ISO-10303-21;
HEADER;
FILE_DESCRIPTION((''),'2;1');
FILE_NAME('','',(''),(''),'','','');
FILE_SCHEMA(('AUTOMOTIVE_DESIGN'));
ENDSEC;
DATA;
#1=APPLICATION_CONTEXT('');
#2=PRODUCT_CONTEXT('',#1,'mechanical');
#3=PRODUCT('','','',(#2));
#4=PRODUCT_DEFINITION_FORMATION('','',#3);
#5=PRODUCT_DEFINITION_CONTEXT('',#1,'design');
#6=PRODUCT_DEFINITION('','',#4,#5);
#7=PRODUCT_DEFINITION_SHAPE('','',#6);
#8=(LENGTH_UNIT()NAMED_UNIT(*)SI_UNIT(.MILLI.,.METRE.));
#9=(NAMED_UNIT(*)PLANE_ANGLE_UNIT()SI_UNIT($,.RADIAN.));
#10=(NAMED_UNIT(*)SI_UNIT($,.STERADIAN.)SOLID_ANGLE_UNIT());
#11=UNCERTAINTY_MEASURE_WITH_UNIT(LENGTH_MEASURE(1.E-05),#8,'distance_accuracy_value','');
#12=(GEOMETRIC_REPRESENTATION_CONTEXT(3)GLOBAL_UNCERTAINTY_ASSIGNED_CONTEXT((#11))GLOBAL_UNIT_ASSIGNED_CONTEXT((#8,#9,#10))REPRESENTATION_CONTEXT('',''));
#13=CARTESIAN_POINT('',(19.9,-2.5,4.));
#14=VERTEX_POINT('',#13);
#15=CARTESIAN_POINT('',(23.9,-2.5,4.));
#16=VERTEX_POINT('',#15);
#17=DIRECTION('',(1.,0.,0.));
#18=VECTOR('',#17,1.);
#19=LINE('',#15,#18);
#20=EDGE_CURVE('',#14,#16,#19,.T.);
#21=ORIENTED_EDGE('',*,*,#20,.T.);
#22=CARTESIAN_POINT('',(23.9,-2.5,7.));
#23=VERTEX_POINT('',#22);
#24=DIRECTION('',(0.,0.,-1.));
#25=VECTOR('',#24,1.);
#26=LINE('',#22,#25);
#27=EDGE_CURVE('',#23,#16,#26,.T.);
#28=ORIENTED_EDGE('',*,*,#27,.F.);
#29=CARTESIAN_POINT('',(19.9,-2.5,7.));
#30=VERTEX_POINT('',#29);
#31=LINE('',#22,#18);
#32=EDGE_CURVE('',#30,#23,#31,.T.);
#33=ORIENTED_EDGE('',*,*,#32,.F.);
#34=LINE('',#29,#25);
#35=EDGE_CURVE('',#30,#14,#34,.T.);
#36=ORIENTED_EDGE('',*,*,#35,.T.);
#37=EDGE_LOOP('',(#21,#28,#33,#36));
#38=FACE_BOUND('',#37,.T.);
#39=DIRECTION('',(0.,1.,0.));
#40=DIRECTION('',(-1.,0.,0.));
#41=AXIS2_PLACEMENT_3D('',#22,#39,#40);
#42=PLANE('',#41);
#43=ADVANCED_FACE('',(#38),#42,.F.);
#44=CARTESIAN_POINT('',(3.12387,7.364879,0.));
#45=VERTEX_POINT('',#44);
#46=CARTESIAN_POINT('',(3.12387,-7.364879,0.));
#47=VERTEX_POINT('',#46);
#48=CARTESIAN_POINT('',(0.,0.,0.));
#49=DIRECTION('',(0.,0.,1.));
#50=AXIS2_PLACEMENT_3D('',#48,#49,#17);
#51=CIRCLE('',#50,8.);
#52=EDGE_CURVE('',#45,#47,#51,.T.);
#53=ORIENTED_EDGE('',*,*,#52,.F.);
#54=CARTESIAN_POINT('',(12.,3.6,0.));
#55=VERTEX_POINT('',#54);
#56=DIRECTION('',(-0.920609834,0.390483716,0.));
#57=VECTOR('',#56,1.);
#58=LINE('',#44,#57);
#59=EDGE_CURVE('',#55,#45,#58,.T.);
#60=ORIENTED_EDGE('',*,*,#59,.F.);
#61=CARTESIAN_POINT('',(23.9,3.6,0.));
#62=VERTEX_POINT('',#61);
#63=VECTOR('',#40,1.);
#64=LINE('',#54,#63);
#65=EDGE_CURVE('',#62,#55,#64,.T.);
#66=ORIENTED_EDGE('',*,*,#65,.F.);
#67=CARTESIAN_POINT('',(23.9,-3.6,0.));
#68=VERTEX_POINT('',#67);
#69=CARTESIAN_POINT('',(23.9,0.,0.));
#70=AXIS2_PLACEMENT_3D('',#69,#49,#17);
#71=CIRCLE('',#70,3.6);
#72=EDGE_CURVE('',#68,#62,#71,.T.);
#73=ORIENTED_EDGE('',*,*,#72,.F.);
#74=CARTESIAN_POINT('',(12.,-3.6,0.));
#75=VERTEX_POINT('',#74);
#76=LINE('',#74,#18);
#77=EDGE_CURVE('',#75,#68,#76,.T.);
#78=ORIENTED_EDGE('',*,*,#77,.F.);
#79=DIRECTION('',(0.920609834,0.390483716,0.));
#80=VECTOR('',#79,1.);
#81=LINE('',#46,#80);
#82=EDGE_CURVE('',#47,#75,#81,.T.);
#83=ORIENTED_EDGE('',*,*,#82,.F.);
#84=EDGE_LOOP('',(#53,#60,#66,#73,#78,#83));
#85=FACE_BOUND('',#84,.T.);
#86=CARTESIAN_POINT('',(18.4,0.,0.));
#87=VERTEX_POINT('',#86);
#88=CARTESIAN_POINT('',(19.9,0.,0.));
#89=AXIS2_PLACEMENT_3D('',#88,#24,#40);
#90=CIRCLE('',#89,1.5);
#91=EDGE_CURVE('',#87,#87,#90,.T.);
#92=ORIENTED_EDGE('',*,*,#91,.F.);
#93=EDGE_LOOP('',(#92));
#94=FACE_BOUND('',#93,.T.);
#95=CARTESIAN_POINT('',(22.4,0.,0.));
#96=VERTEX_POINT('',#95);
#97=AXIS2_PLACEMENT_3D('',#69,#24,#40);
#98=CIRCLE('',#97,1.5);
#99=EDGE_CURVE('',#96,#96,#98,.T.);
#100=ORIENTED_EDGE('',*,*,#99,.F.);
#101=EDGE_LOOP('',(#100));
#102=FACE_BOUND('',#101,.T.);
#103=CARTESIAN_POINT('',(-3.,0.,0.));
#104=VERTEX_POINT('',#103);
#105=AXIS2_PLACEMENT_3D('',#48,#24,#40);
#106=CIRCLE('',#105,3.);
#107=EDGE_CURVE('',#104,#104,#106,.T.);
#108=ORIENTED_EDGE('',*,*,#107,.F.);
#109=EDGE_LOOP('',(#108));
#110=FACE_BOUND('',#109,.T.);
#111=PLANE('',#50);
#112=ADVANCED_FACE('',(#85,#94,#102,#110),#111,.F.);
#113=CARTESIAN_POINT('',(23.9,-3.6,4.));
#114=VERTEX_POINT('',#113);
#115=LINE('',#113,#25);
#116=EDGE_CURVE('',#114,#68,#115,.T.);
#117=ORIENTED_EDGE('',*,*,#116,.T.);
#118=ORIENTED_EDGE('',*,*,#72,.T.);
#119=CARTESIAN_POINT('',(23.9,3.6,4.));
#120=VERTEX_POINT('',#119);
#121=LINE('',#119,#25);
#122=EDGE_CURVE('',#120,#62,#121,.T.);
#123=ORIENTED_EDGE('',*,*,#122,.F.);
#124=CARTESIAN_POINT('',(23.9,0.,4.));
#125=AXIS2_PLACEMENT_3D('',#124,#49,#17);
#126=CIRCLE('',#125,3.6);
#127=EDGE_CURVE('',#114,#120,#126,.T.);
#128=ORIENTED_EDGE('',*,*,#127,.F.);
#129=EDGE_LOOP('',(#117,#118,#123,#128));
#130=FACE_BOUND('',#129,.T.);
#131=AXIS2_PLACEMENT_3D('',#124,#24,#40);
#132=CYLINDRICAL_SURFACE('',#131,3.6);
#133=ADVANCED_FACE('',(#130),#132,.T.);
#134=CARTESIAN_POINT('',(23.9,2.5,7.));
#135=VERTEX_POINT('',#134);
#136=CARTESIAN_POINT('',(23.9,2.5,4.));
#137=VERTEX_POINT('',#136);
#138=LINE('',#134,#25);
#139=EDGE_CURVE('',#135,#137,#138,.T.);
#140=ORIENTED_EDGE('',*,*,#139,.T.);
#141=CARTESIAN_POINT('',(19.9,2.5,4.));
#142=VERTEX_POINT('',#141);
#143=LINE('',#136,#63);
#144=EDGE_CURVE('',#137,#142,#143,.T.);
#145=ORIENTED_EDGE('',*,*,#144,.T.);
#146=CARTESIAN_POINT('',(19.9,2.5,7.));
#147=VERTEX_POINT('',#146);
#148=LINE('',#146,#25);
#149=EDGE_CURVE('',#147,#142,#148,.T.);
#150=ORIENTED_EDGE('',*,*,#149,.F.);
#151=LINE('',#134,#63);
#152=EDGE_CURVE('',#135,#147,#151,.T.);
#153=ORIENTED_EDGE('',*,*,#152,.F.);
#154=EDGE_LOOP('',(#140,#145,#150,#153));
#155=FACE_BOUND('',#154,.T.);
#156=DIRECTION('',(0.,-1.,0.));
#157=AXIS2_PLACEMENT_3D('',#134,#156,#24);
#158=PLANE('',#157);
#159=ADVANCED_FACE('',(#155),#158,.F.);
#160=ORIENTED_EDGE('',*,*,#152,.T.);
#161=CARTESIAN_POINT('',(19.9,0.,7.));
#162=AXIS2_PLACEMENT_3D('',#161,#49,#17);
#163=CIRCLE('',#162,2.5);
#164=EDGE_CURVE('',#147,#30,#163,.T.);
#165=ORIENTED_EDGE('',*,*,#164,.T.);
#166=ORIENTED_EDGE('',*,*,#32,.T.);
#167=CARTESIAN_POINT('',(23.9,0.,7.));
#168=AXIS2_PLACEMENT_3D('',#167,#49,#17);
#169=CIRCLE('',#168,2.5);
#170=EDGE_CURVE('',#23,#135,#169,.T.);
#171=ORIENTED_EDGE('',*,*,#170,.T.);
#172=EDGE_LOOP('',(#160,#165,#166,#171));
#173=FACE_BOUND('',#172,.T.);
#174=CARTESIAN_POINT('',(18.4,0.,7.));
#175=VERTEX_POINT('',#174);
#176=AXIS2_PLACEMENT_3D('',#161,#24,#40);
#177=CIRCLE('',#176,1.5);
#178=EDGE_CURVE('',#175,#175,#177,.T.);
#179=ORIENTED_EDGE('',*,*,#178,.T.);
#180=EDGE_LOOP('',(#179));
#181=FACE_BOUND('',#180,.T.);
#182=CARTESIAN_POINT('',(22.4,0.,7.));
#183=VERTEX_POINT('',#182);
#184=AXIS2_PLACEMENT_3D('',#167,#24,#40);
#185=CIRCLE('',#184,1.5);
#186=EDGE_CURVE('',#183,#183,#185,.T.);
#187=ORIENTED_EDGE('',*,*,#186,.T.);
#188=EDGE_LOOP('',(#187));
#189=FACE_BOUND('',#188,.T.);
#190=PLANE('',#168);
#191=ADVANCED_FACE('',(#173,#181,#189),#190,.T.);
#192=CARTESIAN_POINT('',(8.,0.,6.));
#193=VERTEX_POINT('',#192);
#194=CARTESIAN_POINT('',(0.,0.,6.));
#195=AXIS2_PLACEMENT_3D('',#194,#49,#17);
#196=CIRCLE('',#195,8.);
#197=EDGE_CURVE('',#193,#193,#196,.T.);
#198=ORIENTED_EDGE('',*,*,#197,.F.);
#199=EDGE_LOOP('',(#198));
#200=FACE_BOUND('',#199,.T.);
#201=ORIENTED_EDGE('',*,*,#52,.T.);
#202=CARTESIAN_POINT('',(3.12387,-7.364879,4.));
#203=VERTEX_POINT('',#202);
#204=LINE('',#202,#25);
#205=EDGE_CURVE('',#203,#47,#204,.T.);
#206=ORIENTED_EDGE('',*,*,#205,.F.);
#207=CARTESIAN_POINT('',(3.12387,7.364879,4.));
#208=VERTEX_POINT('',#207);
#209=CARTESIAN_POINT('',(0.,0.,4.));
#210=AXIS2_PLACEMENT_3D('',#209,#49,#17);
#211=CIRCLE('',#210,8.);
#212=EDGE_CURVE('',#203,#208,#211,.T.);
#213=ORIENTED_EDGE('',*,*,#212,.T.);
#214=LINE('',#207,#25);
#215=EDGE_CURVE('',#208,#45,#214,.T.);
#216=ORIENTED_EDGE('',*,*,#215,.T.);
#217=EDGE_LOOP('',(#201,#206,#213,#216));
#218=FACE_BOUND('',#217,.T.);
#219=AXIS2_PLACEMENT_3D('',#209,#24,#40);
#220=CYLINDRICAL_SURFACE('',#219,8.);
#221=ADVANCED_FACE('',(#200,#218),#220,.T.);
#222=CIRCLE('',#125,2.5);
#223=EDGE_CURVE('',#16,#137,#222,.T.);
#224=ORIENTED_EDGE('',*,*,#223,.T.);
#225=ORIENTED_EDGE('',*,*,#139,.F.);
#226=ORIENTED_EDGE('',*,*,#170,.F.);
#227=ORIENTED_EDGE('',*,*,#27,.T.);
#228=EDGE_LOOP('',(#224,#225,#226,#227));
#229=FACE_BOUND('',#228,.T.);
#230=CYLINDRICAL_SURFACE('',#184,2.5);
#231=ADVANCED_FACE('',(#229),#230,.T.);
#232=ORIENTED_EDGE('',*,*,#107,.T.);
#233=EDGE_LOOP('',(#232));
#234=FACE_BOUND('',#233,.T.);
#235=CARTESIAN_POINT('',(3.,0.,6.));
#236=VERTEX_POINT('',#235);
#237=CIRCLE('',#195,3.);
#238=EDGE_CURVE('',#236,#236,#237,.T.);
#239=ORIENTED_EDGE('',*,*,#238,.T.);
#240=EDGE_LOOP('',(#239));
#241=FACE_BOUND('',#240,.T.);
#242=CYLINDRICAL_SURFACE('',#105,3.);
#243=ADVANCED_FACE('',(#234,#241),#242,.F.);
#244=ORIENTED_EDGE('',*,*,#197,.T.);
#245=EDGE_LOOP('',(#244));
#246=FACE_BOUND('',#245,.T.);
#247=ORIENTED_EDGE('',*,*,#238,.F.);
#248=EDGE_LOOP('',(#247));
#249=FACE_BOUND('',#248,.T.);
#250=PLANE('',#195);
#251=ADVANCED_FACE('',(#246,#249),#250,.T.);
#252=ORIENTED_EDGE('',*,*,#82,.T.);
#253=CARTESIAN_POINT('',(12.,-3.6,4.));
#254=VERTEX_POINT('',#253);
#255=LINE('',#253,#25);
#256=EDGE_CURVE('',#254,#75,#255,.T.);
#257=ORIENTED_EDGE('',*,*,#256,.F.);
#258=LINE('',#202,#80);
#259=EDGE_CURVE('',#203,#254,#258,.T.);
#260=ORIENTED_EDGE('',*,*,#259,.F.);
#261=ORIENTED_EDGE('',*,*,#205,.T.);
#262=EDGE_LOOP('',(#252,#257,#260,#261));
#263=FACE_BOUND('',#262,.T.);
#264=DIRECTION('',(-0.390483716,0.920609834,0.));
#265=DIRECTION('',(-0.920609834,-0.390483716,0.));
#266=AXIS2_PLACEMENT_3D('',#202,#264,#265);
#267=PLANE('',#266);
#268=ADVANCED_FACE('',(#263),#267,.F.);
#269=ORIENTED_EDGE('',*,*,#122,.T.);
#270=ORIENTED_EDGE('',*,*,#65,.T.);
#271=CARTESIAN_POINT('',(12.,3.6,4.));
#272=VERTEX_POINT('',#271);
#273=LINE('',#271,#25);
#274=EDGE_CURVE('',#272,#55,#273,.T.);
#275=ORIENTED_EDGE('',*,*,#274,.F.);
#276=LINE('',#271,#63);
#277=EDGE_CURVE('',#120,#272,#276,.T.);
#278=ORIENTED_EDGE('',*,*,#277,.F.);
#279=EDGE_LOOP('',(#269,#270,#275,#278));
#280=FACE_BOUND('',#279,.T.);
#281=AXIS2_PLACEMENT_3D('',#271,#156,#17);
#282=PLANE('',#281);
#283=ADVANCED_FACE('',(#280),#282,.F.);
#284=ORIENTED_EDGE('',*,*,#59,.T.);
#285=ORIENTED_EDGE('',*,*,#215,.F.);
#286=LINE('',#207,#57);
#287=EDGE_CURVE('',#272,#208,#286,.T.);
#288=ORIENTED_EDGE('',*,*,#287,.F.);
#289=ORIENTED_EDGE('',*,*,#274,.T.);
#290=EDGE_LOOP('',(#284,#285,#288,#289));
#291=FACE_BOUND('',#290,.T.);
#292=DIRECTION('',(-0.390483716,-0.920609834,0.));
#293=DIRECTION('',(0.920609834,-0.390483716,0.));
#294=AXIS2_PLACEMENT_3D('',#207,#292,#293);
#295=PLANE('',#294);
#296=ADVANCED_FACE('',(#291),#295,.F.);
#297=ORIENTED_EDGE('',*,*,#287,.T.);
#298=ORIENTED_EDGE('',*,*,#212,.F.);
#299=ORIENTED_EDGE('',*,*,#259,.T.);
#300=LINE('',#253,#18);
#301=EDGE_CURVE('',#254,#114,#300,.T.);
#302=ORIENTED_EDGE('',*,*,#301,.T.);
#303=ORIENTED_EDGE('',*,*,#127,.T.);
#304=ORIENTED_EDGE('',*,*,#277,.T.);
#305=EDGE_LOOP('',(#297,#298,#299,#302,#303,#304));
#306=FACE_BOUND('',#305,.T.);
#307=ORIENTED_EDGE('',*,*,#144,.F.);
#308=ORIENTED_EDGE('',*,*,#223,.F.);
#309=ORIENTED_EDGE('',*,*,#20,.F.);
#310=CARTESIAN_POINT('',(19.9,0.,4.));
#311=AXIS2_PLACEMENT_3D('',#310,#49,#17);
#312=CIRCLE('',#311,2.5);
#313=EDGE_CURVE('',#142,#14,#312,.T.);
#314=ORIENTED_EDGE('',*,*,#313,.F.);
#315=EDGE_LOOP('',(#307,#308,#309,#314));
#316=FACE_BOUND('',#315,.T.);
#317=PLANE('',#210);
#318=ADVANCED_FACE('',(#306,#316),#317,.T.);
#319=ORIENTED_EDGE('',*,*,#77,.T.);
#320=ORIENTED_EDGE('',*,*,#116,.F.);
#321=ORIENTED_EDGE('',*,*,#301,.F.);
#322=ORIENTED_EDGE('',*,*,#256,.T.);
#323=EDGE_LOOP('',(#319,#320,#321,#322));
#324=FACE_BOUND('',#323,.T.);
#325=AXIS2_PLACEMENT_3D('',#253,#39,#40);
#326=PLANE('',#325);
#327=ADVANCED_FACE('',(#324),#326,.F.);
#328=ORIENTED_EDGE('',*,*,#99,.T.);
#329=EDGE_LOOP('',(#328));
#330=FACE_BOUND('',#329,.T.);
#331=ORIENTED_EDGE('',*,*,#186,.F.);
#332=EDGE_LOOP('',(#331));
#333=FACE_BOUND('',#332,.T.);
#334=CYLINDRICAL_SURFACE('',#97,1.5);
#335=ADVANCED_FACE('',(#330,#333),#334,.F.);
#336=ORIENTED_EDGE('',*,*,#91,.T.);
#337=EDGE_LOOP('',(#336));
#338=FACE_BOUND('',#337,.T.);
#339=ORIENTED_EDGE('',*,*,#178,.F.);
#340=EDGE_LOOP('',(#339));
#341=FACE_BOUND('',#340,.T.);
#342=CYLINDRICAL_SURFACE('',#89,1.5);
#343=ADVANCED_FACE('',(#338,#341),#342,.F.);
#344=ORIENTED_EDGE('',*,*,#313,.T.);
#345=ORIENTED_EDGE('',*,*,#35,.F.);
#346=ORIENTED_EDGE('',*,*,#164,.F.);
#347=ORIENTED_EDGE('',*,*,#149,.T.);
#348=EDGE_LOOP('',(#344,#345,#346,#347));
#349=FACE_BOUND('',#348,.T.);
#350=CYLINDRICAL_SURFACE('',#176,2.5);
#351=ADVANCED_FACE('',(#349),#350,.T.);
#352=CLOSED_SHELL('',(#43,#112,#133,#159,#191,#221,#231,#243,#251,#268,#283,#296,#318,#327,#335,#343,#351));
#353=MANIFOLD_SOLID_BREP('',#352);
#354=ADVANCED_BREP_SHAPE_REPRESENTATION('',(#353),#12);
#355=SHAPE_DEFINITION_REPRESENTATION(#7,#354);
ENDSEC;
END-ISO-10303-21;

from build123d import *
from build123d.topology import SkipClean

# Parameters (mm, degrees)
BOSS_EXTRUDE1_DEPTH      = 4
SKETCH4_R                = 8
BOSS_EXTRUDE2_DEPTH      = 2
BOSS_EXTRUDE3_DEPTH      = 3
F_3_0_3_DIAMETER_HOLE1_D = 3
F_6_0_6_DIAMETER_HOLE1_D = 6


with BuildPart() as part:
    # Sketch1 → Boss-Extrude1 (new body)
    with BuildSketch(Plane.XY):
        with BuildLine():
            Line((3.123869731, 7.364878676), (12, 3.6))
            Line((12, 3.6), (23.9, 3.6))
            ThreePointArc((23.9, 3.6), (27.5, 0), (23.9, -3.6))
            Line((23.9, -3.6), (12, -3.6))
            Line((12, -3.6), (3.123869731, -7.364878676))
            ThreePointArc((3.123869731, -7.364878676), (-8, 0), (3.123869731, 7.364878676))
        make_face()
    extrude(amount=BOSS_EXTRUDE1_DEPTH)

    # Sketch4 → Boss-Extrude2 (add)
    with SkipClean():  # the faces are left unmerged after this step: merging them gives an invalid solid
        with BuildSketch(Plane.XY.offset(4)):
            with Locations(Location((0, 0, 0), (0, 0, 67.015399011))):
                Circle(SKETCH4_R)
        extrude(amount=BOSS_EXTRUDE2_DEPTH)

    # Sketch5 → Boss-Extrude3 (add)
    with SkipClean():  # the faces are left unmerged after this step: merging them gives an invalid solid
        with BuildSketch(Plane.XY.offset(4)):
            with BuildLine():
                Line((23.9, -2.5), (19.9, -2.5))
                ThreePointArc((19.9, -2.5), (17.4, 0), (19.9, 2.5))
                Line((19.9, 2.5), (23.9, 2.5))
                ThreePointArc((23.9, 2.5), (26.4, 0), (23.9, -2.5))
            make_face()
        extrude(amount=BOSS_EXTRUDE3_DEPTH)

    # Ø3.0 (3) Diameter Hole1 (through all)
    with Locations(Plane(origin=(0, 0, 0), x_dir=(-1, 0, 0), z_dir=(0, 0, -1))):
        with Locations((-23.9, 0), (-19.9, 0)):
            Hole(F_3_0_3_DIAMETER_HOLE1_D / 2)

    # Ø6.0 (6) Diameter Hole1 (through all)
    with Locations(Plane(origin=(0, 0, 0), x_dir=(-1, 0, 0), z_dir=(0, 0, -1))):
        with Locations((0, 0)):
            Hole(F_6_0_6_DIAMETER_HOLE1_D / 2)


solid = part.part
